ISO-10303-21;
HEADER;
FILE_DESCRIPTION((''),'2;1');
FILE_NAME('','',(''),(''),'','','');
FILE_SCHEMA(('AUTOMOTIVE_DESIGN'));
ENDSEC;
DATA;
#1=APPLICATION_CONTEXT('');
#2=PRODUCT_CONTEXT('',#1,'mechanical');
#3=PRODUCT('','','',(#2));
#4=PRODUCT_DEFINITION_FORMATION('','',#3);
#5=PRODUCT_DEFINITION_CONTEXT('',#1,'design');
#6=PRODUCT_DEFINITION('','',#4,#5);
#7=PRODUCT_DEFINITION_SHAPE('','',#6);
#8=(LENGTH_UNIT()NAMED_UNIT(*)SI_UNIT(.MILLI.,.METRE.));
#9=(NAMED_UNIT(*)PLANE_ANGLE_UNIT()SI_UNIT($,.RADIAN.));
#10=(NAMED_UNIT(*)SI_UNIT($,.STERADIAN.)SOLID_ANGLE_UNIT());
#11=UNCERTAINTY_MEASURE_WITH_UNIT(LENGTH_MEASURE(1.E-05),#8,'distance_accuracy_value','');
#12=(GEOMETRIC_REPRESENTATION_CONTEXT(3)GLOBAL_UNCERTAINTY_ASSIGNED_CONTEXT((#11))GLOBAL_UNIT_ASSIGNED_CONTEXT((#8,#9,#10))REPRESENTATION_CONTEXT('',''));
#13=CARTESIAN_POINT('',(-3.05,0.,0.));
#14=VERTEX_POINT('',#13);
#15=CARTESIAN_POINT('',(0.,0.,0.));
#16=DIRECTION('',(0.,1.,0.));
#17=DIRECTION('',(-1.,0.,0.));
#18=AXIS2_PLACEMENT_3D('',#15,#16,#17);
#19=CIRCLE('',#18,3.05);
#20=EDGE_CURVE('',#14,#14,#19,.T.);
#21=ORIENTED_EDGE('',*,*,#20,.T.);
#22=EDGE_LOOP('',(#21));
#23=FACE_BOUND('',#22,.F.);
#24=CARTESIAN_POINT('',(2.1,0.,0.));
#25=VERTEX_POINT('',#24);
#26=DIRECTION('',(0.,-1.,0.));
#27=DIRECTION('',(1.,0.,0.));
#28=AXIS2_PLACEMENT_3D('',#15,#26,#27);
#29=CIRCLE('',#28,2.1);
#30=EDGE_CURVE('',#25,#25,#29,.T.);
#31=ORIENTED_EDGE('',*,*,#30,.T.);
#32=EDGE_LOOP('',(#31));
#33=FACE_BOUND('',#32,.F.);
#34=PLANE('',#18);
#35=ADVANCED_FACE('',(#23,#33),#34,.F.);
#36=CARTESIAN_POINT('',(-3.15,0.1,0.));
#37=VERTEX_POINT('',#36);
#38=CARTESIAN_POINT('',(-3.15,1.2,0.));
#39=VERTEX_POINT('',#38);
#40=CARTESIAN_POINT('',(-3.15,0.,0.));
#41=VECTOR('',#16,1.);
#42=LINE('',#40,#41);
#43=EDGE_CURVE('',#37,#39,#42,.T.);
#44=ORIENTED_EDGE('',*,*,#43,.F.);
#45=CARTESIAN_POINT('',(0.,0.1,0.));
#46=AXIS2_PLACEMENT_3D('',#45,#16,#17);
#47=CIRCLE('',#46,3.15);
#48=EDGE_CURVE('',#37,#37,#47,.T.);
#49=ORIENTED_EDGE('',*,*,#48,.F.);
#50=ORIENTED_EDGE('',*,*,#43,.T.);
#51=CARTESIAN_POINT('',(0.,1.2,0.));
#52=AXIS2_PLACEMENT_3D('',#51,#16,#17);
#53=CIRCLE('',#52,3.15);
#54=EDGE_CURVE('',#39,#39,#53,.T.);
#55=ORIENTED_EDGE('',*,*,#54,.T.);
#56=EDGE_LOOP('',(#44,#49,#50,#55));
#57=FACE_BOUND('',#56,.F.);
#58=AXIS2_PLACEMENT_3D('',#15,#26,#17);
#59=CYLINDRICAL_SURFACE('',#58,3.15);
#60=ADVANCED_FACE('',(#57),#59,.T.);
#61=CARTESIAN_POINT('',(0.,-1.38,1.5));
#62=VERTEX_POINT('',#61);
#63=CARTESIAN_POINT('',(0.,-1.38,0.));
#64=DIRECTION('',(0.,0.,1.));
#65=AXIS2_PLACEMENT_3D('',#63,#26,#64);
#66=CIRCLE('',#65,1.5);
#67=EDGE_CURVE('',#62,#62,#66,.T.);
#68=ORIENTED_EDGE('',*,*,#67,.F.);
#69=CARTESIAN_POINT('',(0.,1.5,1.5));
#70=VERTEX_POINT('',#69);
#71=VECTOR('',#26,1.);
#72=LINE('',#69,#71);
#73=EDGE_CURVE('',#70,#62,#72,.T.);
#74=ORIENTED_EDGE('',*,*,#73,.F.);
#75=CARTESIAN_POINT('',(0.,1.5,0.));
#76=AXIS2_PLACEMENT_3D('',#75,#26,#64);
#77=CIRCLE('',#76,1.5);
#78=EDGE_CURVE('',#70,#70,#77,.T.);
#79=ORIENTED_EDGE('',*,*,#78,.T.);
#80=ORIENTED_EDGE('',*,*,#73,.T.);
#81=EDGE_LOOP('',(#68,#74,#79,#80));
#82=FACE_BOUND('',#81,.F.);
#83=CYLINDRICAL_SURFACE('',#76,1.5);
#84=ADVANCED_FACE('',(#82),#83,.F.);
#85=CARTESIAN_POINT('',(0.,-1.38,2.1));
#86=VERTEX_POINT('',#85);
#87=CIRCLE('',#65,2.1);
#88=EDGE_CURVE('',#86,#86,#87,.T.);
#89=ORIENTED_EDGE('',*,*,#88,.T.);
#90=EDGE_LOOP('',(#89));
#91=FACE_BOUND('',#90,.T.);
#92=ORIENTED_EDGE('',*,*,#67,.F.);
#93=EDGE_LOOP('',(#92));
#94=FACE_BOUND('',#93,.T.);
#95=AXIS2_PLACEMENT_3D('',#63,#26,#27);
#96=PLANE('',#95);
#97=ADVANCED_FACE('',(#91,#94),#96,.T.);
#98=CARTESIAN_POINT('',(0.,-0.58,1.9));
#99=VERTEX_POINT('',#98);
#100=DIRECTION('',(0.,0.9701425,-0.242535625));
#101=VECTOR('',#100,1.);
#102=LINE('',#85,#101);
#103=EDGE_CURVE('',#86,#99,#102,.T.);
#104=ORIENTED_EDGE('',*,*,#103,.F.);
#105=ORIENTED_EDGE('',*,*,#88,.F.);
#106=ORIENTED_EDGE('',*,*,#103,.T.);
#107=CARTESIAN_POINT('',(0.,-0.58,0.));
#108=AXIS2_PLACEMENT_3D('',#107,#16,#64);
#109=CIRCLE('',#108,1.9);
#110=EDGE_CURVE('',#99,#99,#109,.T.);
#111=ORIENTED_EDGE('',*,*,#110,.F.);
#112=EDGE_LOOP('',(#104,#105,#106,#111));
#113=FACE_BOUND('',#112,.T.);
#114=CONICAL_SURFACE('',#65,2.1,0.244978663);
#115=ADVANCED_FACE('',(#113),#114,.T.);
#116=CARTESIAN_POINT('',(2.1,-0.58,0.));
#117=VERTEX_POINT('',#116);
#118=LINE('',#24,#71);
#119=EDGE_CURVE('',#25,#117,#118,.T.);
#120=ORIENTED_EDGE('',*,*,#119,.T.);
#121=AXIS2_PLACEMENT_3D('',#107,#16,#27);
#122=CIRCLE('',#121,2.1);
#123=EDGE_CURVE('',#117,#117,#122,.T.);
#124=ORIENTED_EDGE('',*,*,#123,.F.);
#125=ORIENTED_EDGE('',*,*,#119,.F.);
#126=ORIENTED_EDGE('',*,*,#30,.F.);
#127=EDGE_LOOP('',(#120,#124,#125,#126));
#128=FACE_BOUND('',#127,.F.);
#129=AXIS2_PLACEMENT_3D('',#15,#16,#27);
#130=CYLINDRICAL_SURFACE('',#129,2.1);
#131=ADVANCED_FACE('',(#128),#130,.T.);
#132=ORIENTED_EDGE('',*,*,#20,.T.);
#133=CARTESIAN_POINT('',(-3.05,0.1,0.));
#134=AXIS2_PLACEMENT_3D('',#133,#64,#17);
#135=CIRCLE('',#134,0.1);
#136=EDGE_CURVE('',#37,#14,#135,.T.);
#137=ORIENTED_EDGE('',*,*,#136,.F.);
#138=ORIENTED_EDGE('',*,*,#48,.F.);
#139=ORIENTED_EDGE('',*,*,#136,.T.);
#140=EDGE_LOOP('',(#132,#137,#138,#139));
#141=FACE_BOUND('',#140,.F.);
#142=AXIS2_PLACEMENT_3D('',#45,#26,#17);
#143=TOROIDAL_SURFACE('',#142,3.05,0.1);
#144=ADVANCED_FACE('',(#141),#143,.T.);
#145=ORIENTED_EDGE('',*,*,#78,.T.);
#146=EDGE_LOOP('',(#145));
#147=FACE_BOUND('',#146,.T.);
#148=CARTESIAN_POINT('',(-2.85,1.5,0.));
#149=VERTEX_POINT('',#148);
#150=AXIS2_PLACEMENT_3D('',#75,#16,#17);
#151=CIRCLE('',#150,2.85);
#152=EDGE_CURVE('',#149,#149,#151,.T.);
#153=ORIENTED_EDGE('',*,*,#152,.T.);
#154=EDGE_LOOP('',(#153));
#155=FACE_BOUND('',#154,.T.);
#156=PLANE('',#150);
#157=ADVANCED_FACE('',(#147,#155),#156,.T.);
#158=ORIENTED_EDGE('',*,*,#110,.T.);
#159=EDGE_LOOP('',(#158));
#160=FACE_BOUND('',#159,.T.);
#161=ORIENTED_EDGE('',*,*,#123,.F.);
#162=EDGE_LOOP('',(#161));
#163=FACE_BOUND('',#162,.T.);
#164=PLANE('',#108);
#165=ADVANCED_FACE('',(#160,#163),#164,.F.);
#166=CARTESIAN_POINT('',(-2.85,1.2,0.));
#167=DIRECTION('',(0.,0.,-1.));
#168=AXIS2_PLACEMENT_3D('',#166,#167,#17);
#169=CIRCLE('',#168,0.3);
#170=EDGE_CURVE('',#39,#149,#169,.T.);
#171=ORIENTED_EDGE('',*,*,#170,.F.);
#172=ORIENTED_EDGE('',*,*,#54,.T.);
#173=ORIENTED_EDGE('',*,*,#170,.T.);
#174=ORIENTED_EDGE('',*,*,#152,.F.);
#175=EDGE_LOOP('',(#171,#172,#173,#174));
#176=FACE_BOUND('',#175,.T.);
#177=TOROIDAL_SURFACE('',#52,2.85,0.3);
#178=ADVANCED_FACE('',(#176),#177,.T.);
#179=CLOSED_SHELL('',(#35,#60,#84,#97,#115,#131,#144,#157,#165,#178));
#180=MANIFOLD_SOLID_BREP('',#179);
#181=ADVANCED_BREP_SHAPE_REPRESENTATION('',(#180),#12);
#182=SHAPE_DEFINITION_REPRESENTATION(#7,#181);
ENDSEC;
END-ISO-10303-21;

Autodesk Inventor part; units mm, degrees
ref_plane "YZ Plane" through (0, 0, 0) normal (1, 0, 0) x (0, 1, 0)
ref_plane "XZ Plane" through (0, 0, 0) normal (0, 1, 0) x (-1, 0, 0)
ref_plane "XY Plane" through (0, 0, 0) normal (0, 0, 1) x (1, 0, 0)
sketch "スケッチ1" plane through (0, 0, 0) normal (0, 1, 0) x (-1, 0, 0)
  circle A0 centre (0, 0) radius 3.15
  dimension "d0" = 6.3
extrude "押し出し1" add sketch "スケッチ1" along normal blind 1.5
sketch "スケッチ2" plane through (0, 0, 0) normal (0, -1, 0) x (1, 0, 0)
  circle A0 centre (0, 0) radius 2.1
  dimension "d3" = 4.2
extrude "押し出し2" add sketch "スケッチ2" along normal blind 1.38
sketch "スケッチ3" plane through (0, 1.5, 0) normal (0, 1, 0) x (1, 0, 0)
  point P0 (0, 0)
  point P1 (0, 0)
hole "穴1" at (0, 1.5, 0) direction (0, -1, 0) diameter 3 end through all
thread "ねじ1" size "M3x0.5" class "6H" standard "ANSI Metric M Profile" full length
fillet "フィレット1" radius 0.3 1 edges at (3.15, 1.5, 0)
fillet "フィレット1" radius 0.1 1 edges at (3.15, 0, 0)
sketch "スケッチ4" plane through (0, 0, 0) normal (1, 0, 0) x (0, 1, 0)
  line L0 (-1.38, 2.1) -> (-1.38, -2.1) projected
  line L1 (-1.38, 2.1) -> (-0.58, 1.9)
  line L2 (-0.58, 1.9) -> (-0.58, 2.1)
  line L3 (-0.58, 2.1) -> (-1.38, 2.1)
  line L4 (-1.956, 0) -> (2.076, 0) projected
  point P0 (0, 0)
  dimension "d17" = 0.8
  dimension "d18" = 0.2
revolve "回転1" cut sketch "スケッチ4" angle 360 about axis through (0, -10, 0) along (0, 1, 0)
properties part number "ClinchingNut_M3T1.5_Slab1.4"
